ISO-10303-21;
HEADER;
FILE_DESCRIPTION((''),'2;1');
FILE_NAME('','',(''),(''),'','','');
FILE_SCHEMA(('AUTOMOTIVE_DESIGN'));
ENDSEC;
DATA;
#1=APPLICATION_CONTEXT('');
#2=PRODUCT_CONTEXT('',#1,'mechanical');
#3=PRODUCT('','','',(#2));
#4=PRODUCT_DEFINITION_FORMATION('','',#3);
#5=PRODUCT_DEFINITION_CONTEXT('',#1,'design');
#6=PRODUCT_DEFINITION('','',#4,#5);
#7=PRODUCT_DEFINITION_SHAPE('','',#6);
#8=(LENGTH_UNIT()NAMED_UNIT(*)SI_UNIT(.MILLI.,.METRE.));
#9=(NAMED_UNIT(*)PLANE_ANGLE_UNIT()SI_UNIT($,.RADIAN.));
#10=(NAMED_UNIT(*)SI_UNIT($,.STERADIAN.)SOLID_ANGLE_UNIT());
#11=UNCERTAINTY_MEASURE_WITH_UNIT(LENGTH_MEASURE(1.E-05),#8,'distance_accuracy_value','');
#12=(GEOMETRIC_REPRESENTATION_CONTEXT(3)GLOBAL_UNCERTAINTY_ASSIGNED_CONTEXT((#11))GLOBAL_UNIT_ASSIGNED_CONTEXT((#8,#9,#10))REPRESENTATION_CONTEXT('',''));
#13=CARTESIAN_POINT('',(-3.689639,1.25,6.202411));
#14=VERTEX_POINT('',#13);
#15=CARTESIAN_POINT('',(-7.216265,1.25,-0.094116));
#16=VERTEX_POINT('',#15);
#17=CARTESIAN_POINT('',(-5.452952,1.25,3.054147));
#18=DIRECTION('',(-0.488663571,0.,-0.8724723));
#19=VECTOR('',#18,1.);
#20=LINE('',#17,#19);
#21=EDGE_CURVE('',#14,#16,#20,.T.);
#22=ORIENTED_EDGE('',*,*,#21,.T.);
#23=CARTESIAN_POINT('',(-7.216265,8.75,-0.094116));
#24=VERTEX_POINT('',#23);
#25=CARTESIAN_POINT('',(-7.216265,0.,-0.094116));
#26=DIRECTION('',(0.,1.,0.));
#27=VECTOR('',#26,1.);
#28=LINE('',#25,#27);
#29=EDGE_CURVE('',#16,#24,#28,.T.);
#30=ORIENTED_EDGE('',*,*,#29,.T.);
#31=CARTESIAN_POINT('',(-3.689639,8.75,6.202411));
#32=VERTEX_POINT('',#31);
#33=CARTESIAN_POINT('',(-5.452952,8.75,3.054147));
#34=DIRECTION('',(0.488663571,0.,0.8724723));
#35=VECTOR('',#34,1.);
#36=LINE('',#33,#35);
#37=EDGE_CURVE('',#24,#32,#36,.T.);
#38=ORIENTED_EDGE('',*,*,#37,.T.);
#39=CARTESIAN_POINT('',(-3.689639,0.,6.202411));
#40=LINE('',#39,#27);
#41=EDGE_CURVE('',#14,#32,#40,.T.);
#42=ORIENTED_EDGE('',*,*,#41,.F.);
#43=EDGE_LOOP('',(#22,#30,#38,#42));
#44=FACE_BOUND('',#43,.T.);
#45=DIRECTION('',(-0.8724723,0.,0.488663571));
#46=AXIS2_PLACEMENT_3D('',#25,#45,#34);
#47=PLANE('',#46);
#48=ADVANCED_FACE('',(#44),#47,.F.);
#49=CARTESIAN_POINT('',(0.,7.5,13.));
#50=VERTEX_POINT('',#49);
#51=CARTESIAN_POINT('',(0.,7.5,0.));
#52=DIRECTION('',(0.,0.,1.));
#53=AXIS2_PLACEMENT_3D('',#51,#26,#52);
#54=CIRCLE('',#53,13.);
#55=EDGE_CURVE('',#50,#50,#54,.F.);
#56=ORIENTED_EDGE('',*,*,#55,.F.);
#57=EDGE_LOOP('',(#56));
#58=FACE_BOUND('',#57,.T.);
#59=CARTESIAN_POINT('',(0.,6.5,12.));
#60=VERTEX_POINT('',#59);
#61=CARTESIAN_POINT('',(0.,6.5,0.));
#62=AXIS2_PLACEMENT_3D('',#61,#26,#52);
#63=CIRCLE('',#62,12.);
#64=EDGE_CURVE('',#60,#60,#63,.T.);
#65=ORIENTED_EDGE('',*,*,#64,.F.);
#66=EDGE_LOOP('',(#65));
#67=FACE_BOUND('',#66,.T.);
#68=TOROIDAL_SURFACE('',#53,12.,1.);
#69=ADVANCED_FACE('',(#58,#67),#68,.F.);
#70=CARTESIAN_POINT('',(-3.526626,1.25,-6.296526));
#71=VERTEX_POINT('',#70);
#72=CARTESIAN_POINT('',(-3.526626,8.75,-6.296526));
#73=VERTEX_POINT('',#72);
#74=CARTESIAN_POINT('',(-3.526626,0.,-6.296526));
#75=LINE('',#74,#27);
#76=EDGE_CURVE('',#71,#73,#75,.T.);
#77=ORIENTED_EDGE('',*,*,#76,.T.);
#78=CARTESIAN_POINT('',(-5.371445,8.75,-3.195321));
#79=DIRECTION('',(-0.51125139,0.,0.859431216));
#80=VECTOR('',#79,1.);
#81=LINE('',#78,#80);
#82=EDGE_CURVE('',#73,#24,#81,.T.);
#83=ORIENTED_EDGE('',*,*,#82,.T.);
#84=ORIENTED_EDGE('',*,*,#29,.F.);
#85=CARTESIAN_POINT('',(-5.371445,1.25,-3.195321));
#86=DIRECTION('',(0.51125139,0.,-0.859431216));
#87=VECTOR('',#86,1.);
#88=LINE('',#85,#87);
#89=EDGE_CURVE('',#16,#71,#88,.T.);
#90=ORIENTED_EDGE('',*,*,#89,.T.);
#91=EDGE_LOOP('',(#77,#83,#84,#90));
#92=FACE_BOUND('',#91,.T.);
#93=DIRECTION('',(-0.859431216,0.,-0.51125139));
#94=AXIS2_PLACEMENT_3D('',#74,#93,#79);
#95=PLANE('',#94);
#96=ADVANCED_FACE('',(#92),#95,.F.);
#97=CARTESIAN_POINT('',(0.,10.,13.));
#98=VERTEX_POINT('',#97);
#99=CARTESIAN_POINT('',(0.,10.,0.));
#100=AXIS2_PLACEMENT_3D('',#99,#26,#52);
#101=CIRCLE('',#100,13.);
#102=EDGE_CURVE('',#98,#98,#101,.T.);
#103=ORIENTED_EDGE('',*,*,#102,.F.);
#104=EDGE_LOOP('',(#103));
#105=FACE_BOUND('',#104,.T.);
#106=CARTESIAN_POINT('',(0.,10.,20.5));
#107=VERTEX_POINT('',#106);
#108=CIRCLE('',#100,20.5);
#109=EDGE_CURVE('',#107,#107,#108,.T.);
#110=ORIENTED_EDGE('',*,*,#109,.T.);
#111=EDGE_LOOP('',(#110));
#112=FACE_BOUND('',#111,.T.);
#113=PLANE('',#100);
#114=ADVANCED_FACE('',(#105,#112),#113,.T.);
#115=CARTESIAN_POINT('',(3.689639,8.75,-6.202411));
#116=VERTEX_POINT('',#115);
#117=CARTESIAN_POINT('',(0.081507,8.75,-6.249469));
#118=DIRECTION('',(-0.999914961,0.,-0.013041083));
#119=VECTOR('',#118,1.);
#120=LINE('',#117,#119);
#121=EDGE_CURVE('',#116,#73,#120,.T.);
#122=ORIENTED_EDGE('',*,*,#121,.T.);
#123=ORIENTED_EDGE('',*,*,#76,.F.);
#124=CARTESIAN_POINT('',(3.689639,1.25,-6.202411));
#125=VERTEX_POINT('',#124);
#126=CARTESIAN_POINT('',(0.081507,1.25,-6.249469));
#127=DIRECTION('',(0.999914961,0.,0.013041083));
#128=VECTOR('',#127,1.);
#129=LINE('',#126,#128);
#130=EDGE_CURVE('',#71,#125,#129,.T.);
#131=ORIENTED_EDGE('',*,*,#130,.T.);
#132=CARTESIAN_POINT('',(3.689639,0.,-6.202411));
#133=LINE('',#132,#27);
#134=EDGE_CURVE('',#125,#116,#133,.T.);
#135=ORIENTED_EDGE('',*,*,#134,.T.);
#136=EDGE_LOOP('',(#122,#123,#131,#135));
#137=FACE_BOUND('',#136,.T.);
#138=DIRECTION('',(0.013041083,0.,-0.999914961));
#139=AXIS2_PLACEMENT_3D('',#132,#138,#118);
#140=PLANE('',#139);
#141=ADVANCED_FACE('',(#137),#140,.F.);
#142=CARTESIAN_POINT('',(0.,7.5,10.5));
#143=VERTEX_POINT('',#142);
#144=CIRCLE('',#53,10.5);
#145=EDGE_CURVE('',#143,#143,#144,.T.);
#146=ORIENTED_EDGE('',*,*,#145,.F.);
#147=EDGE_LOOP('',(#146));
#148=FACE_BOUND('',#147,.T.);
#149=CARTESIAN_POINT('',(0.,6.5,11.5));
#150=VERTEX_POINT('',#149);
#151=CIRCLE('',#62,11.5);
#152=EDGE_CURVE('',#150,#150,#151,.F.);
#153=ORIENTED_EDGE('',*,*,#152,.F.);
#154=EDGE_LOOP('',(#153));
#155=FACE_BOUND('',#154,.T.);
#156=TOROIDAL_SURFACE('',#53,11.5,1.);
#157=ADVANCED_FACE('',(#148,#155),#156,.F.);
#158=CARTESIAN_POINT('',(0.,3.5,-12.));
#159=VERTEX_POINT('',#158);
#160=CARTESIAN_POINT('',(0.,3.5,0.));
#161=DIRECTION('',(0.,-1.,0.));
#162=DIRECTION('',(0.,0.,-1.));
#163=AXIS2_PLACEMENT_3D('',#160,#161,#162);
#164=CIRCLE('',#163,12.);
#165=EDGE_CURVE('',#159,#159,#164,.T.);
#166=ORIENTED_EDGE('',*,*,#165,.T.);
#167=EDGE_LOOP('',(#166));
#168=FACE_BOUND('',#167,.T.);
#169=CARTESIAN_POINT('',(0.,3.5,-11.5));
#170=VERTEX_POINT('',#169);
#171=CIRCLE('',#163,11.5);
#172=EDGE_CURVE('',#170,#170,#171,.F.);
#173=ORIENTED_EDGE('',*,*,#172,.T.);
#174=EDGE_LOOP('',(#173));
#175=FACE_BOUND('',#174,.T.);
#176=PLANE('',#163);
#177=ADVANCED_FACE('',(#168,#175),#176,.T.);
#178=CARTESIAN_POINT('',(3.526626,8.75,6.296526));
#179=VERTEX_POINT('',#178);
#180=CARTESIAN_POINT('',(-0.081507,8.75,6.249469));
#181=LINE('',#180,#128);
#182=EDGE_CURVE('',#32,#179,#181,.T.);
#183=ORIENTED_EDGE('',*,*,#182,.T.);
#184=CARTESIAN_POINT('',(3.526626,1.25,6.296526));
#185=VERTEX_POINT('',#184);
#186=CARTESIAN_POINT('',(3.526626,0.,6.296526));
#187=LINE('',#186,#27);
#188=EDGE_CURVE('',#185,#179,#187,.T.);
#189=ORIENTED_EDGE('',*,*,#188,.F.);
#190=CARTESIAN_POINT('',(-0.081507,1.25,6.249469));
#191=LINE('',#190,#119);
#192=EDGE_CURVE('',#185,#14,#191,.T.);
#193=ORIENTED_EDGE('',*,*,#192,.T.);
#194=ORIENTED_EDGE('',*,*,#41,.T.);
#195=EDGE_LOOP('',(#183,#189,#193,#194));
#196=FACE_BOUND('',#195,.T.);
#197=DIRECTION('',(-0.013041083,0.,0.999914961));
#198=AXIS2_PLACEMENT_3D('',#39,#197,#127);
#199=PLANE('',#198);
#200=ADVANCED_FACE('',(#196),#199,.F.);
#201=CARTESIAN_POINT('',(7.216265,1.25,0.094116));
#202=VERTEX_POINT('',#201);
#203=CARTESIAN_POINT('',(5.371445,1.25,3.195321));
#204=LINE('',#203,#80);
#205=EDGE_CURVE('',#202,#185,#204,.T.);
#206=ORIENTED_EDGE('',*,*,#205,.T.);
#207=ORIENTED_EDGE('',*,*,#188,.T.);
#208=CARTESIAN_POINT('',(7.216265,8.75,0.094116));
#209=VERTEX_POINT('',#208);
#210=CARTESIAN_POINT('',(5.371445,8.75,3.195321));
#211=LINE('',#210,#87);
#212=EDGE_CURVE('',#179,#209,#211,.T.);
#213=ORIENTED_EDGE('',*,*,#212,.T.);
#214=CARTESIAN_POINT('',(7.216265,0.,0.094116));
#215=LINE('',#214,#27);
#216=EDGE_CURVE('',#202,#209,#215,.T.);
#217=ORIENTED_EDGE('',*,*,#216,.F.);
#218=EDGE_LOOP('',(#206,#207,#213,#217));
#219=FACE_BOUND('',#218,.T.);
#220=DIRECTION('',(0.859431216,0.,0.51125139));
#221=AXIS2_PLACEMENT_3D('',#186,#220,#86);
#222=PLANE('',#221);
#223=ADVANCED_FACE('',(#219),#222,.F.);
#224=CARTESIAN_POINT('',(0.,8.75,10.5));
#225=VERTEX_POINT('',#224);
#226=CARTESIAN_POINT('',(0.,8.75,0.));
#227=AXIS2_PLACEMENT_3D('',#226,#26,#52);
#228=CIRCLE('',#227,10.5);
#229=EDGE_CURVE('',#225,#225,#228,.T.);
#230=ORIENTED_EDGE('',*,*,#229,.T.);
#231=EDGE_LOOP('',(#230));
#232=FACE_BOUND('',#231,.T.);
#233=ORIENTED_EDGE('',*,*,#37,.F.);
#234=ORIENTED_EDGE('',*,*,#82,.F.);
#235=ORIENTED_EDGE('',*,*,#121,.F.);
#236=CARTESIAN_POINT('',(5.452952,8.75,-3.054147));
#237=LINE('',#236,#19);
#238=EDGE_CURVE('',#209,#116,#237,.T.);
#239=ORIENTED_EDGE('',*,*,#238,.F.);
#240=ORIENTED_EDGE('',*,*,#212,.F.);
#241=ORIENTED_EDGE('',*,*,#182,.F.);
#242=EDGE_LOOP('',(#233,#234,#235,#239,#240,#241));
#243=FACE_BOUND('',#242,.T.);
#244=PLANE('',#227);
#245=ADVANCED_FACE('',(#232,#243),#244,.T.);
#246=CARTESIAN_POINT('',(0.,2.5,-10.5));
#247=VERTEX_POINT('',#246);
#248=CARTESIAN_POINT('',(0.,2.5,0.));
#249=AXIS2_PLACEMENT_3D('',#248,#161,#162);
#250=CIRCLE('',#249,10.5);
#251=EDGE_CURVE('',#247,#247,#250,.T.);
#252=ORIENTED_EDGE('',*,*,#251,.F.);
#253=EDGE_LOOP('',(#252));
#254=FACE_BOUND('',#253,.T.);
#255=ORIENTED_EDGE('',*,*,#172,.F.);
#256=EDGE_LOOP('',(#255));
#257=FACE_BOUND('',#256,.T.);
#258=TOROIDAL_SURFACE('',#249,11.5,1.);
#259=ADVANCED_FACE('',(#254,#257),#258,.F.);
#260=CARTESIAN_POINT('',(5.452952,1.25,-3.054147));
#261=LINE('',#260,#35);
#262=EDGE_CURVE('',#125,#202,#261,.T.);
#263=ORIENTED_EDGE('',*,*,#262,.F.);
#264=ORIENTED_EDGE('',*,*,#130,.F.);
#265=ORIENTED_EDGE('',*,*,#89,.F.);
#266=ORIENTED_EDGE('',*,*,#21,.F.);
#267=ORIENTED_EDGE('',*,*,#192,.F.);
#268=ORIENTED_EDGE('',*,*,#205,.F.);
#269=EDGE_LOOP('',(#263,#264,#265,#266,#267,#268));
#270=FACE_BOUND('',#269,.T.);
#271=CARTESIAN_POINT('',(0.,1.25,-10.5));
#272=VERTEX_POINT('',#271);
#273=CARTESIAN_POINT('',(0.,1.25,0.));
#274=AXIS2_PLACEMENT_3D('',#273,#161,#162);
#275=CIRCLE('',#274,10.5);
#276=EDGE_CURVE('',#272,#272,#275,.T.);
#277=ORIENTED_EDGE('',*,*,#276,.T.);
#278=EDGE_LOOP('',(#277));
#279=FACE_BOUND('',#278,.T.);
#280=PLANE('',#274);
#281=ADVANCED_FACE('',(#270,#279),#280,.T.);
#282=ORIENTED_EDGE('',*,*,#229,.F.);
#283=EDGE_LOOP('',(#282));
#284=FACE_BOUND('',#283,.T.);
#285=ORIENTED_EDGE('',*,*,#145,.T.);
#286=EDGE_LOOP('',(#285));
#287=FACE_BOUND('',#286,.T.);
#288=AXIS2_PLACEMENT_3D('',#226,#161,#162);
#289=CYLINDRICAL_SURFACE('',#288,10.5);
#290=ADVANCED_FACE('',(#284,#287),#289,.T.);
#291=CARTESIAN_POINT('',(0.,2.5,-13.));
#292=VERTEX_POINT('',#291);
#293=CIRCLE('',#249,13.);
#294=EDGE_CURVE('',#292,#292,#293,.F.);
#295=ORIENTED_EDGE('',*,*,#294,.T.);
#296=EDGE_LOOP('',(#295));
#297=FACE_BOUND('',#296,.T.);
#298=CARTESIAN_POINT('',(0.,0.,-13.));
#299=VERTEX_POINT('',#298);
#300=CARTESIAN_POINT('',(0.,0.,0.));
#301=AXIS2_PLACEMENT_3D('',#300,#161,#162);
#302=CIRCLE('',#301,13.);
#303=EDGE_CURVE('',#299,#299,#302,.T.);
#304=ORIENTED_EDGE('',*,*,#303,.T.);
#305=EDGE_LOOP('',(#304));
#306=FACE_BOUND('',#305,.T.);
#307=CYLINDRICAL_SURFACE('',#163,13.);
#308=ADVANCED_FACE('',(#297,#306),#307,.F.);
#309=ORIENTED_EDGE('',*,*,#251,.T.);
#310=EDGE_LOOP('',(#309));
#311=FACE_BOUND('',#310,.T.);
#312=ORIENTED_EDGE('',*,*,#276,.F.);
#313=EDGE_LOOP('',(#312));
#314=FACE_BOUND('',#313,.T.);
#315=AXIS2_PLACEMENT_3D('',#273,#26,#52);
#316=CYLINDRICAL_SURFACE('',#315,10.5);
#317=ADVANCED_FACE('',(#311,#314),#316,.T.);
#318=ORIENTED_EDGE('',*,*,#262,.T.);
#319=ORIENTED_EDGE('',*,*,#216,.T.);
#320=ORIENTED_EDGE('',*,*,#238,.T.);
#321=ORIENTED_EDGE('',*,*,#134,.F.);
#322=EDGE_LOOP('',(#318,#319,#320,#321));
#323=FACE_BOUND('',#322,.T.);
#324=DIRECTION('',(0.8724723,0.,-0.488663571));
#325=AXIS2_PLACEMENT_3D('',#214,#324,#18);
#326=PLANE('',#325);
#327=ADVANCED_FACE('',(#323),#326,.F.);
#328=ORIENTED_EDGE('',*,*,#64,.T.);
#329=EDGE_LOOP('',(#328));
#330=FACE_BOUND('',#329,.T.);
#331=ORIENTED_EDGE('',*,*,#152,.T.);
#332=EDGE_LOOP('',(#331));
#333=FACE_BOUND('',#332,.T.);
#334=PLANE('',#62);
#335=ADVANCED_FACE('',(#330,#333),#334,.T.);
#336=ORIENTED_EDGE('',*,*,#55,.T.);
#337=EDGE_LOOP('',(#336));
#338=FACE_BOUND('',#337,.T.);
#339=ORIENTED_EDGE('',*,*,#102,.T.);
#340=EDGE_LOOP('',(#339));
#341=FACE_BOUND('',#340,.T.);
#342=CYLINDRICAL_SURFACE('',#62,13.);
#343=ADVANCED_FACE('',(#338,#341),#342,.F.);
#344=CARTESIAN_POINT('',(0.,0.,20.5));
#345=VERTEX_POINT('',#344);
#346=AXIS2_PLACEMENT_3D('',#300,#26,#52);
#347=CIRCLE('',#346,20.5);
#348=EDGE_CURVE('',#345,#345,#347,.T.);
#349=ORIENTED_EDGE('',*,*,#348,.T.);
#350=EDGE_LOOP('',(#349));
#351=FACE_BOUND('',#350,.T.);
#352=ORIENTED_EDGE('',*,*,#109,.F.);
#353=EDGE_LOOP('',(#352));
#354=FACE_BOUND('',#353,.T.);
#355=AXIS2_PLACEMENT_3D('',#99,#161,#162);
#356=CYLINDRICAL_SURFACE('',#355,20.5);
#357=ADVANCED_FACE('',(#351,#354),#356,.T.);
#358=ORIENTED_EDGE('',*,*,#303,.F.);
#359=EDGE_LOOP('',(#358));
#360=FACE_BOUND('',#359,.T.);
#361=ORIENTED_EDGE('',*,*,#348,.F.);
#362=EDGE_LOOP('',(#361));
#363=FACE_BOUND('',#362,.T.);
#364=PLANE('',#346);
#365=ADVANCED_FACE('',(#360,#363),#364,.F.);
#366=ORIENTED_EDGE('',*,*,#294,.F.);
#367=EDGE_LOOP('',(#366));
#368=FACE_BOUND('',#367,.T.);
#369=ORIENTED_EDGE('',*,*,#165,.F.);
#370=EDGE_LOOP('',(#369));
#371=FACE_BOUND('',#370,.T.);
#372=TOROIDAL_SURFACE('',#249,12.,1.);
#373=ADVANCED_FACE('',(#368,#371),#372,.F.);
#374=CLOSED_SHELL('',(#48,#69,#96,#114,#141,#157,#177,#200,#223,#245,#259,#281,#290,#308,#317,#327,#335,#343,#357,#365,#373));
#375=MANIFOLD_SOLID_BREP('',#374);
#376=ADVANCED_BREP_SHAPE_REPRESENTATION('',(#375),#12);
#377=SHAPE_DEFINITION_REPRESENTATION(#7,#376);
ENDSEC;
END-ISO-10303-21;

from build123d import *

# Parameters (mm, degrees)
SKETCH1_R               = 20.5
BOSS_EXTRUDE1_DEPTH     = 10
SKETCH2_R               = 13
CUT_EXTRUDE1_DEPTH      = 3.5
CUT_EXTRUDE2_START      = -3.5
SKETCH3_R               = 13
CUT_EXTRUDE2_DEPTH      = 3.5
SKETCH5_R               = 10.5
BOSS_EXTRUDE2_DEPTH     = 2.25
BOSS_EXTRUDE3_START     = 2.25
SKETCH6_R               = 10.5
BOSS_EXTRUDE3_DEPTH     = 2.25
CUT_EXTRUDE3_DEPTH      = 30.711109033
CUT_EXTRUDE3_DEPTH_BACK = 30.711109033
FILLET1_R               = 1
FILLET2_R               = 1


with BuildPart() as part:
    # Sketch1 → Boss-Extrude1 (new body)
    with BuildSketch(Plane(origin=(0, 0, 0), x_dir=(1, 0, 0), z_dir=(0, 1, 0))):
        with Locations(Location((0, 0, 0), (0, 0, 270))):
            Circle(SKETCH1_R)
    extrude(amount=BOSS_EXTRUDE1_DEPTH)

    # Sketch2 → Cut-Extrude1 (cut)
    with BuildSketch(Plane(origin=(0, 10, 0), x_dir=(1, 0, 0), z_dir=(0, 1, 0))):
        with Locations(Location((0, 0, 0), (0, 0, 270))):
            Circle(SKETCH2_R)
    extrude(amount=-CUT_EXTRUDE1_DEPTH, mode=Mode.SUBTRACT)

    # Sketch3 → Cut-Extrude2 (cut)
    with BuildSketch(Plane.XZ.offset(CUT_EXTRUDE2_START)):
        with Locations(Location((0, 0, 0), (0, 0, 90))):
            Circle(SKETCH3_R)
    extrude(amount=CUT_EXTRUDE2_DEPTH, mode=Mode.SUBTRACT)

    # Sketch5 → Boss-Extrude2 (add)
    with BuildSketch(Plane(origin=(0, 6.5, 0), x_dir=(1, 0, 0), z_dir=(0, 1, 0))):
        with Locations(Location((0, 0, 0), (0, 0, 270))):
            Circle(SKETCH5_R)
    extrude(amount=BOSS_EXTRUDE2_DEPTH)

    # Sketch6 → Boss-Extrude3 (add)
    with BuildSketch(Plane.XZ.offset(-3.5).offset(BOSS_EXTRUDE3_START)):
        with Locations(Location((0, 0, 0), (0, 0, 90))):
            Circle(SKETCH6_R)
    extrude(amount=-BOSS_EXTRUDE3_DEPTH)

    # Sketch4 → Cut-Extrude3 (cut, two sides: drawn at the far end of the back side and taken through both)
    with BuildSketch(Plane(origin=(0, 6.5, 0), x_dir=(1, 0, 0), z_dir=(0, 1, 0)).offset(-CUT_EXTRUDE3_DEPTH_BACK)):
        Polygon((3.689639098, 6.202410552), (-3.526625554, 6.296526466), (-7.216264652, 0.094115913), (-3.689639098, -6.202410552), (3.526625554, -6.296526466), (7.216264652, -0.094115913), align=None)
    extrude(amount=CUT_EXTRUDE3_DEPTH + CUT_EXTRUDE3_DEPTH_BACK, mode=Mode.SUBTRACT)

    # Fillet1
    fillet1_edges = [part.edges().sort_by_distance(p)[0] for p in [
        (0, 3.5, -13),
        (0, 6.5, -13),
    ]]
    fillet(fillet1_edges, radius=FILLET1_R)

    # Fillet2
    fillet2_edges = [part.edges().sort_by_distance(p)[0] for p in [
        (0, 6.5, -10.5),
        (0, 3.5, -10.5),
    ]]
    fillet(fillet2_edges, radius=FILLET2_R)


solid = part.part
